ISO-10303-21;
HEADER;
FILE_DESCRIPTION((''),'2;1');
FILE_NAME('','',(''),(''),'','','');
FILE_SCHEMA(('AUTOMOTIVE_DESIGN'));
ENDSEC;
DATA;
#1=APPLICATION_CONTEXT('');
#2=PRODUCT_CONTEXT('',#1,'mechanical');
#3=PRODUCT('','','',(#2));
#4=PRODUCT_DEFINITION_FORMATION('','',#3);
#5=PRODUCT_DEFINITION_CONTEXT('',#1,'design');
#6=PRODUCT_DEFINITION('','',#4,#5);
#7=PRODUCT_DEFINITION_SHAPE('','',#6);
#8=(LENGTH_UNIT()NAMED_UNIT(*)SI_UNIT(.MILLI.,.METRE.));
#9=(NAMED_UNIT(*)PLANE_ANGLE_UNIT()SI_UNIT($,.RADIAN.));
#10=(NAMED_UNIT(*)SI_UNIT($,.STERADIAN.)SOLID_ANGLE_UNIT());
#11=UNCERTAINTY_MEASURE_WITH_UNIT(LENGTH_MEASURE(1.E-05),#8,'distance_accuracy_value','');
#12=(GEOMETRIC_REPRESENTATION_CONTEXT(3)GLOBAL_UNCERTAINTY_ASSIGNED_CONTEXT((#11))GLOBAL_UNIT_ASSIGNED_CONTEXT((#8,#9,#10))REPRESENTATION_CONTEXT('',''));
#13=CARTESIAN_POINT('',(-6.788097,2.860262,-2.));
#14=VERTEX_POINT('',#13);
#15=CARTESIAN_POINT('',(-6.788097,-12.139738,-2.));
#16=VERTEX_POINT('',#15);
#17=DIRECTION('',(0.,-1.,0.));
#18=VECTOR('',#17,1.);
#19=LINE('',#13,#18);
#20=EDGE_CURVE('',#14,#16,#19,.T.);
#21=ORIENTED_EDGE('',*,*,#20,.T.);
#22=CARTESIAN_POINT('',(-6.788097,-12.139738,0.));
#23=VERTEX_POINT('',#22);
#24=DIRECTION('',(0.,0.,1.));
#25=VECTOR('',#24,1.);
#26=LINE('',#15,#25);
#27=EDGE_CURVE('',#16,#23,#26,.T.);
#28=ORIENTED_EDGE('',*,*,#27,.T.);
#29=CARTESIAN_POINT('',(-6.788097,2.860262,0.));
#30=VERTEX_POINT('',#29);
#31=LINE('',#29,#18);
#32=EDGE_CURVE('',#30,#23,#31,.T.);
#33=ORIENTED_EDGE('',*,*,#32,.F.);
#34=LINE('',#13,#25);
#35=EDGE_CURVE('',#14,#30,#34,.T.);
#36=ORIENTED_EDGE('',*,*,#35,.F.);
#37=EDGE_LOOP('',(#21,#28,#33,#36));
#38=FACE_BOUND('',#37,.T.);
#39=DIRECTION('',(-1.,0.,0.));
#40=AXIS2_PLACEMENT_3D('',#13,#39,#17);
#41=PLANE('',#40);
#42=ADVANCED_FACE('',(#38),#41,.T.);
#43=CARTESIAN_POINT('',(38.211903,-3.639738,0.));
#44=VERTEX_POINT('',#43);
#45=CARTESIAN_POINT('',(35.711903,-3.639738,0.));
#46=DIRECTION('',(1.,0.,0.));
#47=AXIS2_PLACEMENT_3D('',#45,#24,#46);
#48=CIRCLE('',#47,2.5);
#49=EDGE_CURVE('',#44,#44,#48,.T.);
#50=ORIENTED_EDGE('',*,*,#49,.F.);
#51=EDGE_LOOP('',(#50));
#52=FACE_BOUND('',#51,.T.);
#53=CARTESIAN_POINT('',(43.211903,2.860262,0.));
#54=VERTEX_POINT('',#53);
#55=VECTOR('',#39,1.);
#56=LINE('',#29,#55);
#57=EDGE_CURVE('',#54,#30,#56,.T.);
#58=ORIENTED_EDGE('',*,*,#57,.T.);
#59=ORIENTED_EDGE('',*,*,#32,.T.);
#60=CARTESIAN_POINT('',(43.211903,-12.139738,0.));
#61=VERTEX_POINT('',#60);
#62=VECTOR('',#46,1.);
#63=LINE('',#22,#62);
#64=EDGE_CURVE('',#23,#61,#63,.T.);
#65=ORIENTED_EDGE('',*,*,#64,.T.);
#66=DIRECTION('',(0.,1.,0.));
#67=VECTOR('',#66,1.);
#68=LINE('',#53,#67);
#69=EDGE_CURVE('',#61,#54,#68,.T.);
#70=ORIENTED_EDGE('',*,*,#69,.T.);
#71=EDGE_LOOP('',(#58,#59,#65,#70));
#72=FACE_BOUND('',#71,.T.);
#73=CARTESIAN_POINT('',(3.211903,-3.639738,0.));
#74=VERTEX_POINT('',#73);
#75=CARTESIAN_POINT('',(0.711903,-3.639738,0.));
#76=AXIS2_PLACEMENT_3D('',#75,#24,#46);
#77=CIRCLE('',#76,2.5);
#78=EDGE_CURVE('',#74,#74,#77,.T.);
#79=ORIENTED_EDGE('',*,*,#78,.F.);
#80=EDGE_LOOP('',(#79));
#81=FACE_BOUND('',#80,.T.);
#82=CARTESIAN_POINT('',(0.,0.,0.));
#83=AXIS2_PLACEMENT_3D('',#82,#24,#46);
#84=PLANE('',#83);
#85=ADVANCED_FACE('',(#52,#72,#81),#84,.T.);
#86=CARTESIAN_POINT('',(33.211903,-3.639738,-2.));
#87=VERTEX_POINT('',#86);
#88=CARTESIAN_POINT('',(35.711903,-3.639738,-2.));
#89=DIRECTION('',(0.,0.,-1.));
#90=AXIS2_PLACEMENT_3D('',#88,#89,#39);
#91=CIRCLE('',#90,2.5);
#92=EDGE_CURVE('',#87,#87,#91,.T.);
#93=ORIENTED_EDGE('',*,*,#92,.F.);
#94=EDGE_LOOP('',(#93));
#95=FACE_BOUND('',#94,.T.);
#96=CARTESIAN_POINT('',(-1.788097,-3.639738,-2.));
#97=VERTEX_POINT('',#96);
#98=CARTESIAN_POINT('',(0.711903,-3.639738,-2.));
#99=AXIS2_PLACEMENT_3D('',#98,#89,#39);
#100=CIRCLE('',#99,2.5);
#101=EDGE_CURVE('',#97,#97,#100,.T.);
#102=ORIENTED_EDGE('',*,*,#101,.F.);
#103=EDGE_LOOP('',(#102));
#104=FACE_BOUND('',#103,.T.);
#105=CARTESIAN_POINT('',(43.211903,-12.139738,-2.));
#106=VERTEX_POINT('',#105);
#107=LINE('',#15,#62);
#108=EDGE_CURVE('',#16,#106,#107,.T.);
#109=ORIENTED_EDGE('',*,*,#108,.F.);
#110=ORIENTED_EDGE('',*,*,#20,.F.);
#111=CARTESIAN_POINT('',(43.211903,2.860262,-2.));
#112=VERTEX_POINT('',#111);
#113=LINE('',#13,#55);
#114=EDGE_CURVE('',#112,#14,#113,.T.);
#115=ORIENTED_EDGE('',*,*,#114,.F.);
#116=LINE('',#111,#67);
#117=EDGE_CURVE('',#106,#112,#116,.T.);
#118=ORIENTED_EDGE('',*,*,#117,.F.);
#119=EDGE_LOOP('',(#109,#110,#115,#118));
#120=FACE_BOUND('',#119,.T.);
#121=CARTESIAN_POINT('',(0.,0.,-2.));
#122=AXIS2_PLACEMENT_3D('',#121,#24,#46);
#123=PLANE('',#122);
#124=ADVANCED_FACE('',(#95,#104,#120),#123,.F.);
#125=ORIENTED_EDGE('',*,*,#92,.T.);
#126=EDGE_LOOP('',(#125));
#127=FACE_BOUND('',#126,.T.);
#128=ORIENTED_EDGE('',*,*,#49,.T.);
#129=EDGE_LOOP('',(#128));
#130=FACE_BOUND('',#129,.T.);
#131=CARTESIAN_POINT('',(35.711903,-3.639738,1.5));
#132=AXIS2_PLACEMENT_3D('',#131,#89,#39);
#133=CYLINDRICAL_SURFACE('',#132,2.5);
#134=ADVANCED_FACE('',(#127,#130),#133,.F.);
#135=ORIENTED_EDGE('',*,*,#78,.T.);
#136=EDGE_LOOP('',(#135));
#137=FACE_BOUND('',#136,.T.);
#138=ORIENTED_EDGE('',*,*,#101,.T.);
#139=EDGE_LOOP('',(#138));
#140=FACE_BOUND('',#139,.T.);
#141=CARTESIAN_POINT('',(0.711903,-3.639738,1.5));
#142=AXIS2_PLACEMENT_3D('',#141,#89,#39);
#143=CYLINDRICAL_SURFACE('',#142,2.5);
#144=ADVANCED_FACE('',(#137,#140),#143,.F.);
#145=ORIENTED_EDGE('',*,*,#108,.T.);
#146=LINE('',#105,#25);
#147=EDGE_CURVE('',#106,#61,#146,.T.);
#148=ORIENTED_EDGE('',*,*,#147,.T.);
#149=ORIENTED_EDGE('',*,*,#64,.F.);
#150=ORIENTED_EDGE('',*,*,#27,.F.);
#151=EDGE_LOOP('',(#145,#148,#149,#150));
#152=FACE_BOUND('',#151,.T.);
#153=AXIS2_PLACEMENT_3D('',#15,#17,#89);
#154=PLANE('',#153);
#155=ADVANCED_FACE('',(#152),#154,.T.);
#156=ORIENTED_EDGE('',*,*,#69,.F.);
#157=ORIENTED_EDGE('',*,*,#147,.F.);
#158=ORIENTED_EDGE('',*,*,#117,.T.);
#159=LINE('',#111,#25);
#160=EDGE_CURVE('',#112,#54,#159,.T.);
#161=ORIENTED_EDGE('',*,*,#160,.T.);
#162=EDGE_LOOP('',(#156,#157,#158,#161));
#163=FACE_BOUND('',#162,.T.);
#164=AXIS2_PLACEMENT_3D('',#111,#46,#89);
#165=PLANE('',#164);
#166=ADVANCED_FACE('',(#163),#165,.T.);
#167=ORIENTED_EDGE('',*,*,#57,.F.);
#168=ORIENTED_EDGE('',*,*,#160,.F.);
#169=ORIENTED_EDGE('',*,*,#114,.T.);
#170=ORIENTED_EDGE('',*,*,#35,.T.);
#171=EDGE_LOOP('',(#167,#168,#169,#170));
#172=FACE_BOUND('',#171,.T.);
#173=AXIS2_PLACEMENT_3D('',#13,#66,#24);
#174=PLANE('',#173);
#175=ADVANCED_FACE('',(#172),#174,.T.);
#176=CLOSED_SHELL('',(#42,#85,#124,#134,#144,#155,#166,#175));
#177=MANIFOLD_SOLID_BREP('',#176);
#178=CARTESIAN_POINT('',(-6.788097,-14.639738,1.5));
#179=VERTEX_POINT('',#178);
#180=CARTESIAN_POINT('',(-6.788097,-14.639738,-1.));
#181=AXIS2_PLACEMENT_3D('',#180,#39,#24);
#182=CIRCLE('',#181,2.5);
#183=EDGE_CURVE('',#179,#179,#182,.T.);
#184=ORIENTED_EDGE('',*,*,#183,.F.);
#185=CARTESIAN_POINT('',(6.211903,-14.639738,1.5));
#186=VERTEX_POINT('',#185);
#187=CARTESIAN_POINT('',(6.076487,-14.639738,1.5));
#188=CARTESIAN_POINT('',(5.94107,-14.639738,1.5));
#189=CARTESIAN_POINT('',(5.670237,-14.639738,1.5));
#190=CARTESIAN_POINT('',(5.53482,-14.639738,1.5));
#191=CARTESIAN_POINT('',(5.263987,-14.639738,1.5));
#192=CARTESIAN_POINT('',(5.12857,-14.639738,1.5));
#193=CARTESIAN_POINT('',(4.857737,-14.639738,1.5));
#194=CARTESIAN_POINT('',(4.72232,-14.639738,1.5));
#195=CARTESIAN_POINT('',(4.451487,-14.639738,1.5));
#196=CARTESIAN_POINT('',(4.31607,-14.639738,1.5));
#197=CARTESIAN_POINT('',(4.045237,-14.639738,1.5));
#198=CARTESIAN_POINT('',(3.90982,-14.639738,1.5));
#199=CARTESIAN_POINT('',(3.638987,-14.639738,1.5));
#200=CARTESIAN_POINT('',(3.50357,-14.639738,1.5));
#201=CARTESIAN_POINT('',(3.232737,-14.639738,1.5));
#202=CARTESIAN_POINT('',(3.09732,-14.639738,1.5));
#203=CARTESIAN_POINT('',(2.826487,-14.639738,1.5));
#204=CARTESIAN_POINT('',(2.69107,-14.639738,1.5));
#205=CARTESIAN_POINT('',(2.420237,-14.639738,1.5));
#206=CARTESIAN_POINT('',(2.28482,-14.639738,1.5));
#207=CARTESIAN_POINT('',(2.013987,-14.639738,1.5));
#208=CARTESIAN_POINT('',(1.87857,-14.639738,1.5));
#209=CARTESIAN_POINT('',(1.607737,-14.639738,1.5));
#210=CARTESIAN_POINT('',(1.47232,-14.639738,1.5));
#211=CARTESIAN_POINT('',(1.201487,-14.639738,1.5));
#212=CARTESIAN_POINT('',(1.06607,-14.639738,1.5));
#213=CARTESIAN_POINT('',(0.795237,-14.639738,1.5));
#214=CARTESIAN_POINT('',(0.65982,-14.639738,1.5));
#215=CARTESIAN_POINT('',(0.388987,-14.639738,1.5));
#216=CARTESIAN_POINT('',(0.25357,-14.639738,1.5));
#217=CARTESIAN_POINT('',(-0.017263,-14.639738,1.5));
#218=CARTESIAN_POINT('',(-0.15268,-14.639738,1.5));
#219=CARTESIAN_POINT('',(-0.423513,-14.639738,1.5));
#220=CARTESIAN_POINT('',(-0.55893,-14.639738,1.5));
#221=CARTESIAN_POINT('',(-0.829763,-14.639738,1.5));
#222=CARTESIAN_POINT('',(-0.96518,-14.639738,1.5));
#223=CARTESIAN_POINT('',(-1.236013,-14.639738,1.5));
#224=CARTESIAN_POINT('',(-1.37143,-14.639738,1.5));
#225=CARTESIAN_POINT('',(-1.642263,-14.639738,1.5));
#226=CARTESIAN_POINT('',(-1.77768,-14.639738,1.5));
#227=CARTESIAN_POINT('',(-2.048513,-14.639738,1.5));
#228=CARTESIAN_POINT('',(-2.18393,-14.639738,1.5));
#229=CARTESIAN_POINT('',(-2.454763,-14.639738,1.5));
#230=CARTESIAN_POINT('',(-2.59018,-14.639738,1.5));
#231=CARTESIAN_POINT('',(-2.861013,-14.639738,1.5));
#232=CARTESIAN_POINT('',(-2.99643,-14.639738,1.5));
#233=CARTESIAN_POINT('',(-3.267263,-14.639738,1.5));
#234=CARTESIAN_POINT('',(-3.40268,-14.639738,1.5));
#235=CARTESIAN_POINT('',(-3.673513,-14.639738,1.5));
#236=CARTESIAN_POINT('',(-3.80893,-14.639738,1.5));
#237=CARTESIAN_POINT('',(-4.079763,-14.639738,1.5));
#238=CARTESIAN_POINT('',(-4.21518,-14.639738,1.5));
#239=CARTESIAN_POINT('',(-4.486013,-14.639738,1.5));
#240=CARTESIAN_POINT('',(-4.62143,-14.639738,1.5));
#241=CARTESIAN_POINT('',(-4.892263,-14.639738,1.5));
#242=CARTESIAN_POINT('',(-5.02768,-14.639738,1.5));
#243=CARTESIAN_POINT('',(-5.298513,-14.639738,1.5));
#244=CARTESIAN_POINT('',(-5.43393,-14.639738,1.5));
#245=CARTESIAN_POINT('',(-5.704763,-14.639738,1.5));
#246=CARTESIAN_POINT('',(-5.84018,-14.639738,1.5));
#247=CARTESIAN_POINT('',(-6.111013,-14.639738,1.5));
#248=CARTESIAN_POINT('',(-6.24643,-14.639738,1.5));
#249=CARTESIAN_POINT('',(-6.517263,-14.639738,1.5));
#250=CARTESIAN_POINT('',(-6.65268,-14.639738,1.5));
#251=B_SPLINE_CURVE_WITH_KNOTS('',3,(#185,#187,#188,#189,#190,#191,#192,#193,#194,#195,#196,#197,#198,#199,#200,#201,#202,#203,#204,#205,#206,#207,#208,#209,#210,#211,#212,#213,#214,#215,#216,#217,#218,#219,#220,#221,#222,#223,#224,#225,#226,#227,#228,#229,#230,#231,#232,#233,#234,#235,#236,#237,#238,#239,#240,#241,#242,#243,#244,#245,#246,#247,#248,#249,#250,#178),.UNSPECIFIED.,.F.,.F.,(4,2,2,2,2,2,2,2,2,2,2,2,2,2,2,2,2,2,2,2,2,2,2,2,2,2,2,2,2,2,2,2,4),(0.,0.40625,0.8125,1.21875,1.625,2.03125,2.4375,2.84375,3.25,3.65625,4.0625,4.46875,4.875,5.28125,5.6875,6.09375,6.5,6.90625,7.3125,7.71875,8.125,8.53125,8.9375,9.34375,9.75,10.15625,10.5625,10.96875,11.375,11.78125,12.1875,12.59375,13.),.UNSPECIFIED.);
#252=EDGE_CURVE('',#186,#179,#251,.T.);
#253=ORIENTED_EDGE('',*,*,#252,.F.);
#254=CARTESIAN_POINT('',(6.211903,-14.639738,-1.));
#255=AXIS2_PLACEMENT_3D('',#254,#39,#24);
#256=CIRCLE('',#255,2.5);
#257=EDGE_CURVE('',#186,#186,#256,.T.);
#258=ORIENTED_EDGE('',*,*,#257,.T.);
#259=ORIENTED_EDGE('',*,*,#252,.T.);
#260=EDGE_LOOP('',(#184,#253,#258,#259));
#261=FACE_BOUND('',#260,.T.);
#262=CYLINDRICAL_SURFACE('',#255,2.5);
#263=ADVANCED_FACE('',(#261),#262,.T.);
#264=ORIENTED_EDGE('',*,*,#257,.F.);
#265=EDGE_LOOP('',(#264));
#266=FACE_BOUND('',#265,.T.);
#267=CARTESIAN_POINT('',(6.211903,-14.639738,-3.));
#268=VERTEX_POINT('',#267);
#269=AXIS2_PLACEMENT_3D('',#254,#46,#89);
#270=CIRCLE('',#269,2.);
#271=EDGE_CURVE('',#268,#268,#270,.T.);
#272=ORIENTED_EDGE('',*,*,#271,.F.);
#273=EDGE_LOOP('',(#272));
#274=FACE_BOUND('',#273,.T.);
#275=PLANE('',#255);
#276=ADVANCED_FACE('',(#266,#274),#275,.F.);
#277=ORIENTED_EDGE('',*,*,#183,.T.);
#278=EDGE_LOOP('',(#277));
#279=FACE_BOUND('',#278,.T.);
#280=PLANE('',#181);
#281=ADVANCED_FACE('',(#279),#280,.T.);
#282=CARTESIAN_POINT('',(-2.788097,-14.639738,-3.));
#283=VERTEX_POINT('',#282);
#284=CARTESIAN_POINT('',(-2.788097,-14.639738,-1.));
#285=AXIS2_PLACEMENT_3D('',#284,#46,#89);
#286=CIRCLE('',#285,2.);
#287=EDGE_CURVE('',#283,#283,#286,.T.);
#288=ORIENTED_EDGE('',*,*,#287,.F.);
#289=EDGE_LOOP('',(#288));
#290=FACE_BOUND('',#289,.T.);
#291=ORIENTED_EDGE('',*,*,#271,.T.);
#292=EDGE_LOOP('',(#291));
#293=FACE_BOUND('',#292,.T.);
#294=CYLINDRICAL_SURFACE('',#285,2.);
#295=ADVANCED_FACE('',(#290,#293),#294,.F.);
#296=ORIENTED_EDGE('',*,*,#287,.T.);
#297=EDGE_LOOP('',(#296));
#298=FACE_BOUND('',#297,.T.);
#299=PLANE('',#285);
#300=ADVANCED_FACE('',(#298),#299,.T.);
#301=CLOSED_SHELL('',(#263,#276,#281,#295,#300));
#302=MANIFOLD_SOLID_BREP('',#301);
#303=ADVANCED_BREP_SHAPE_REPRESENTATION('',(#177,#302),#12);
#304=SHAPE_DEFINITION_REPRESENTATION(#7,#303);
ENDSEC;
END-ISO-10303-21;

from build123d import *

# Parameters (mm, degrees)
ESQUISSE1_W             = 50
ESQUISSE1_H             = 15
BOSS_EXTRU_1_DEPTH      = 2
ESQUISSE2_R             = 2.5
BOSS_EXTRU_2_DEPTH      = 13
ESQUISSE3_R             = 2
ENL_V_MAT_EXTRU_1_DEPTH = 9
ESQUISSE4_R             = 2.5
ENL_V_MAT_EXTRU_2_DEPTH = 47.618550096


with BuildPart() as part:
    # Esquisse1 → Boss.-Extru.1 (new body)
    with BuildSketch(Plane.XY):
        with Locations((18.211903391, -4.639737991)):
            Rectangle(ESQUISSE1_W, ESQUISSE1_H)
    extrude(amount=-BOSS_EXTRU_1_DEPTH)

    # Esquisse4 → Enlèv. mat.-Extru.2 (cut, through all)
    with BuildSketch(Plane(origin=(0, 0, -2), x_dir=(-1, 0, 0), z_dir=(0, 0, -1))):
        with Locations((-35.711903391, -3.639737991)):
            Circle(ESQUISSE4_R)
        with Locations((-0.711903391, -3.639737991)):
            Circle(ESQUISSE4_R)
    extrude(amount=-ENL_V_MAT_EXTRU_2_DEPTH, mode=Mode.SUBTRACT)


with BuildPart() as body_2:
    # Esquisse2 → Boss.-Extru.2 (new body)
    with BuildSketch(Plane.ZY.offset(6.788096609)):
        with Locations((-1, -14.639737991)):
            Circle(ESQUISSE2_R)
    extrude(amount=-BOSS_EXTRU_2_DEPTH)

    # Esquisse3 → Enlèv. mat.-Extru.1 (cut)
    with BuildSketch(Plane(origin=(6.211903391, 0, 0), x_dir=(0, 0, -1), z_dir=(1, 0, 0))):
        with Locations((1, -14.639737991)):
            Circle(ESQUISSE3_R)
    extrude(amount=-ENL_V_MAT_EXTRU_1_DEPTH, mode=Mode.SUBTRACT)


solid = Compound([part.part, body_2.part])
